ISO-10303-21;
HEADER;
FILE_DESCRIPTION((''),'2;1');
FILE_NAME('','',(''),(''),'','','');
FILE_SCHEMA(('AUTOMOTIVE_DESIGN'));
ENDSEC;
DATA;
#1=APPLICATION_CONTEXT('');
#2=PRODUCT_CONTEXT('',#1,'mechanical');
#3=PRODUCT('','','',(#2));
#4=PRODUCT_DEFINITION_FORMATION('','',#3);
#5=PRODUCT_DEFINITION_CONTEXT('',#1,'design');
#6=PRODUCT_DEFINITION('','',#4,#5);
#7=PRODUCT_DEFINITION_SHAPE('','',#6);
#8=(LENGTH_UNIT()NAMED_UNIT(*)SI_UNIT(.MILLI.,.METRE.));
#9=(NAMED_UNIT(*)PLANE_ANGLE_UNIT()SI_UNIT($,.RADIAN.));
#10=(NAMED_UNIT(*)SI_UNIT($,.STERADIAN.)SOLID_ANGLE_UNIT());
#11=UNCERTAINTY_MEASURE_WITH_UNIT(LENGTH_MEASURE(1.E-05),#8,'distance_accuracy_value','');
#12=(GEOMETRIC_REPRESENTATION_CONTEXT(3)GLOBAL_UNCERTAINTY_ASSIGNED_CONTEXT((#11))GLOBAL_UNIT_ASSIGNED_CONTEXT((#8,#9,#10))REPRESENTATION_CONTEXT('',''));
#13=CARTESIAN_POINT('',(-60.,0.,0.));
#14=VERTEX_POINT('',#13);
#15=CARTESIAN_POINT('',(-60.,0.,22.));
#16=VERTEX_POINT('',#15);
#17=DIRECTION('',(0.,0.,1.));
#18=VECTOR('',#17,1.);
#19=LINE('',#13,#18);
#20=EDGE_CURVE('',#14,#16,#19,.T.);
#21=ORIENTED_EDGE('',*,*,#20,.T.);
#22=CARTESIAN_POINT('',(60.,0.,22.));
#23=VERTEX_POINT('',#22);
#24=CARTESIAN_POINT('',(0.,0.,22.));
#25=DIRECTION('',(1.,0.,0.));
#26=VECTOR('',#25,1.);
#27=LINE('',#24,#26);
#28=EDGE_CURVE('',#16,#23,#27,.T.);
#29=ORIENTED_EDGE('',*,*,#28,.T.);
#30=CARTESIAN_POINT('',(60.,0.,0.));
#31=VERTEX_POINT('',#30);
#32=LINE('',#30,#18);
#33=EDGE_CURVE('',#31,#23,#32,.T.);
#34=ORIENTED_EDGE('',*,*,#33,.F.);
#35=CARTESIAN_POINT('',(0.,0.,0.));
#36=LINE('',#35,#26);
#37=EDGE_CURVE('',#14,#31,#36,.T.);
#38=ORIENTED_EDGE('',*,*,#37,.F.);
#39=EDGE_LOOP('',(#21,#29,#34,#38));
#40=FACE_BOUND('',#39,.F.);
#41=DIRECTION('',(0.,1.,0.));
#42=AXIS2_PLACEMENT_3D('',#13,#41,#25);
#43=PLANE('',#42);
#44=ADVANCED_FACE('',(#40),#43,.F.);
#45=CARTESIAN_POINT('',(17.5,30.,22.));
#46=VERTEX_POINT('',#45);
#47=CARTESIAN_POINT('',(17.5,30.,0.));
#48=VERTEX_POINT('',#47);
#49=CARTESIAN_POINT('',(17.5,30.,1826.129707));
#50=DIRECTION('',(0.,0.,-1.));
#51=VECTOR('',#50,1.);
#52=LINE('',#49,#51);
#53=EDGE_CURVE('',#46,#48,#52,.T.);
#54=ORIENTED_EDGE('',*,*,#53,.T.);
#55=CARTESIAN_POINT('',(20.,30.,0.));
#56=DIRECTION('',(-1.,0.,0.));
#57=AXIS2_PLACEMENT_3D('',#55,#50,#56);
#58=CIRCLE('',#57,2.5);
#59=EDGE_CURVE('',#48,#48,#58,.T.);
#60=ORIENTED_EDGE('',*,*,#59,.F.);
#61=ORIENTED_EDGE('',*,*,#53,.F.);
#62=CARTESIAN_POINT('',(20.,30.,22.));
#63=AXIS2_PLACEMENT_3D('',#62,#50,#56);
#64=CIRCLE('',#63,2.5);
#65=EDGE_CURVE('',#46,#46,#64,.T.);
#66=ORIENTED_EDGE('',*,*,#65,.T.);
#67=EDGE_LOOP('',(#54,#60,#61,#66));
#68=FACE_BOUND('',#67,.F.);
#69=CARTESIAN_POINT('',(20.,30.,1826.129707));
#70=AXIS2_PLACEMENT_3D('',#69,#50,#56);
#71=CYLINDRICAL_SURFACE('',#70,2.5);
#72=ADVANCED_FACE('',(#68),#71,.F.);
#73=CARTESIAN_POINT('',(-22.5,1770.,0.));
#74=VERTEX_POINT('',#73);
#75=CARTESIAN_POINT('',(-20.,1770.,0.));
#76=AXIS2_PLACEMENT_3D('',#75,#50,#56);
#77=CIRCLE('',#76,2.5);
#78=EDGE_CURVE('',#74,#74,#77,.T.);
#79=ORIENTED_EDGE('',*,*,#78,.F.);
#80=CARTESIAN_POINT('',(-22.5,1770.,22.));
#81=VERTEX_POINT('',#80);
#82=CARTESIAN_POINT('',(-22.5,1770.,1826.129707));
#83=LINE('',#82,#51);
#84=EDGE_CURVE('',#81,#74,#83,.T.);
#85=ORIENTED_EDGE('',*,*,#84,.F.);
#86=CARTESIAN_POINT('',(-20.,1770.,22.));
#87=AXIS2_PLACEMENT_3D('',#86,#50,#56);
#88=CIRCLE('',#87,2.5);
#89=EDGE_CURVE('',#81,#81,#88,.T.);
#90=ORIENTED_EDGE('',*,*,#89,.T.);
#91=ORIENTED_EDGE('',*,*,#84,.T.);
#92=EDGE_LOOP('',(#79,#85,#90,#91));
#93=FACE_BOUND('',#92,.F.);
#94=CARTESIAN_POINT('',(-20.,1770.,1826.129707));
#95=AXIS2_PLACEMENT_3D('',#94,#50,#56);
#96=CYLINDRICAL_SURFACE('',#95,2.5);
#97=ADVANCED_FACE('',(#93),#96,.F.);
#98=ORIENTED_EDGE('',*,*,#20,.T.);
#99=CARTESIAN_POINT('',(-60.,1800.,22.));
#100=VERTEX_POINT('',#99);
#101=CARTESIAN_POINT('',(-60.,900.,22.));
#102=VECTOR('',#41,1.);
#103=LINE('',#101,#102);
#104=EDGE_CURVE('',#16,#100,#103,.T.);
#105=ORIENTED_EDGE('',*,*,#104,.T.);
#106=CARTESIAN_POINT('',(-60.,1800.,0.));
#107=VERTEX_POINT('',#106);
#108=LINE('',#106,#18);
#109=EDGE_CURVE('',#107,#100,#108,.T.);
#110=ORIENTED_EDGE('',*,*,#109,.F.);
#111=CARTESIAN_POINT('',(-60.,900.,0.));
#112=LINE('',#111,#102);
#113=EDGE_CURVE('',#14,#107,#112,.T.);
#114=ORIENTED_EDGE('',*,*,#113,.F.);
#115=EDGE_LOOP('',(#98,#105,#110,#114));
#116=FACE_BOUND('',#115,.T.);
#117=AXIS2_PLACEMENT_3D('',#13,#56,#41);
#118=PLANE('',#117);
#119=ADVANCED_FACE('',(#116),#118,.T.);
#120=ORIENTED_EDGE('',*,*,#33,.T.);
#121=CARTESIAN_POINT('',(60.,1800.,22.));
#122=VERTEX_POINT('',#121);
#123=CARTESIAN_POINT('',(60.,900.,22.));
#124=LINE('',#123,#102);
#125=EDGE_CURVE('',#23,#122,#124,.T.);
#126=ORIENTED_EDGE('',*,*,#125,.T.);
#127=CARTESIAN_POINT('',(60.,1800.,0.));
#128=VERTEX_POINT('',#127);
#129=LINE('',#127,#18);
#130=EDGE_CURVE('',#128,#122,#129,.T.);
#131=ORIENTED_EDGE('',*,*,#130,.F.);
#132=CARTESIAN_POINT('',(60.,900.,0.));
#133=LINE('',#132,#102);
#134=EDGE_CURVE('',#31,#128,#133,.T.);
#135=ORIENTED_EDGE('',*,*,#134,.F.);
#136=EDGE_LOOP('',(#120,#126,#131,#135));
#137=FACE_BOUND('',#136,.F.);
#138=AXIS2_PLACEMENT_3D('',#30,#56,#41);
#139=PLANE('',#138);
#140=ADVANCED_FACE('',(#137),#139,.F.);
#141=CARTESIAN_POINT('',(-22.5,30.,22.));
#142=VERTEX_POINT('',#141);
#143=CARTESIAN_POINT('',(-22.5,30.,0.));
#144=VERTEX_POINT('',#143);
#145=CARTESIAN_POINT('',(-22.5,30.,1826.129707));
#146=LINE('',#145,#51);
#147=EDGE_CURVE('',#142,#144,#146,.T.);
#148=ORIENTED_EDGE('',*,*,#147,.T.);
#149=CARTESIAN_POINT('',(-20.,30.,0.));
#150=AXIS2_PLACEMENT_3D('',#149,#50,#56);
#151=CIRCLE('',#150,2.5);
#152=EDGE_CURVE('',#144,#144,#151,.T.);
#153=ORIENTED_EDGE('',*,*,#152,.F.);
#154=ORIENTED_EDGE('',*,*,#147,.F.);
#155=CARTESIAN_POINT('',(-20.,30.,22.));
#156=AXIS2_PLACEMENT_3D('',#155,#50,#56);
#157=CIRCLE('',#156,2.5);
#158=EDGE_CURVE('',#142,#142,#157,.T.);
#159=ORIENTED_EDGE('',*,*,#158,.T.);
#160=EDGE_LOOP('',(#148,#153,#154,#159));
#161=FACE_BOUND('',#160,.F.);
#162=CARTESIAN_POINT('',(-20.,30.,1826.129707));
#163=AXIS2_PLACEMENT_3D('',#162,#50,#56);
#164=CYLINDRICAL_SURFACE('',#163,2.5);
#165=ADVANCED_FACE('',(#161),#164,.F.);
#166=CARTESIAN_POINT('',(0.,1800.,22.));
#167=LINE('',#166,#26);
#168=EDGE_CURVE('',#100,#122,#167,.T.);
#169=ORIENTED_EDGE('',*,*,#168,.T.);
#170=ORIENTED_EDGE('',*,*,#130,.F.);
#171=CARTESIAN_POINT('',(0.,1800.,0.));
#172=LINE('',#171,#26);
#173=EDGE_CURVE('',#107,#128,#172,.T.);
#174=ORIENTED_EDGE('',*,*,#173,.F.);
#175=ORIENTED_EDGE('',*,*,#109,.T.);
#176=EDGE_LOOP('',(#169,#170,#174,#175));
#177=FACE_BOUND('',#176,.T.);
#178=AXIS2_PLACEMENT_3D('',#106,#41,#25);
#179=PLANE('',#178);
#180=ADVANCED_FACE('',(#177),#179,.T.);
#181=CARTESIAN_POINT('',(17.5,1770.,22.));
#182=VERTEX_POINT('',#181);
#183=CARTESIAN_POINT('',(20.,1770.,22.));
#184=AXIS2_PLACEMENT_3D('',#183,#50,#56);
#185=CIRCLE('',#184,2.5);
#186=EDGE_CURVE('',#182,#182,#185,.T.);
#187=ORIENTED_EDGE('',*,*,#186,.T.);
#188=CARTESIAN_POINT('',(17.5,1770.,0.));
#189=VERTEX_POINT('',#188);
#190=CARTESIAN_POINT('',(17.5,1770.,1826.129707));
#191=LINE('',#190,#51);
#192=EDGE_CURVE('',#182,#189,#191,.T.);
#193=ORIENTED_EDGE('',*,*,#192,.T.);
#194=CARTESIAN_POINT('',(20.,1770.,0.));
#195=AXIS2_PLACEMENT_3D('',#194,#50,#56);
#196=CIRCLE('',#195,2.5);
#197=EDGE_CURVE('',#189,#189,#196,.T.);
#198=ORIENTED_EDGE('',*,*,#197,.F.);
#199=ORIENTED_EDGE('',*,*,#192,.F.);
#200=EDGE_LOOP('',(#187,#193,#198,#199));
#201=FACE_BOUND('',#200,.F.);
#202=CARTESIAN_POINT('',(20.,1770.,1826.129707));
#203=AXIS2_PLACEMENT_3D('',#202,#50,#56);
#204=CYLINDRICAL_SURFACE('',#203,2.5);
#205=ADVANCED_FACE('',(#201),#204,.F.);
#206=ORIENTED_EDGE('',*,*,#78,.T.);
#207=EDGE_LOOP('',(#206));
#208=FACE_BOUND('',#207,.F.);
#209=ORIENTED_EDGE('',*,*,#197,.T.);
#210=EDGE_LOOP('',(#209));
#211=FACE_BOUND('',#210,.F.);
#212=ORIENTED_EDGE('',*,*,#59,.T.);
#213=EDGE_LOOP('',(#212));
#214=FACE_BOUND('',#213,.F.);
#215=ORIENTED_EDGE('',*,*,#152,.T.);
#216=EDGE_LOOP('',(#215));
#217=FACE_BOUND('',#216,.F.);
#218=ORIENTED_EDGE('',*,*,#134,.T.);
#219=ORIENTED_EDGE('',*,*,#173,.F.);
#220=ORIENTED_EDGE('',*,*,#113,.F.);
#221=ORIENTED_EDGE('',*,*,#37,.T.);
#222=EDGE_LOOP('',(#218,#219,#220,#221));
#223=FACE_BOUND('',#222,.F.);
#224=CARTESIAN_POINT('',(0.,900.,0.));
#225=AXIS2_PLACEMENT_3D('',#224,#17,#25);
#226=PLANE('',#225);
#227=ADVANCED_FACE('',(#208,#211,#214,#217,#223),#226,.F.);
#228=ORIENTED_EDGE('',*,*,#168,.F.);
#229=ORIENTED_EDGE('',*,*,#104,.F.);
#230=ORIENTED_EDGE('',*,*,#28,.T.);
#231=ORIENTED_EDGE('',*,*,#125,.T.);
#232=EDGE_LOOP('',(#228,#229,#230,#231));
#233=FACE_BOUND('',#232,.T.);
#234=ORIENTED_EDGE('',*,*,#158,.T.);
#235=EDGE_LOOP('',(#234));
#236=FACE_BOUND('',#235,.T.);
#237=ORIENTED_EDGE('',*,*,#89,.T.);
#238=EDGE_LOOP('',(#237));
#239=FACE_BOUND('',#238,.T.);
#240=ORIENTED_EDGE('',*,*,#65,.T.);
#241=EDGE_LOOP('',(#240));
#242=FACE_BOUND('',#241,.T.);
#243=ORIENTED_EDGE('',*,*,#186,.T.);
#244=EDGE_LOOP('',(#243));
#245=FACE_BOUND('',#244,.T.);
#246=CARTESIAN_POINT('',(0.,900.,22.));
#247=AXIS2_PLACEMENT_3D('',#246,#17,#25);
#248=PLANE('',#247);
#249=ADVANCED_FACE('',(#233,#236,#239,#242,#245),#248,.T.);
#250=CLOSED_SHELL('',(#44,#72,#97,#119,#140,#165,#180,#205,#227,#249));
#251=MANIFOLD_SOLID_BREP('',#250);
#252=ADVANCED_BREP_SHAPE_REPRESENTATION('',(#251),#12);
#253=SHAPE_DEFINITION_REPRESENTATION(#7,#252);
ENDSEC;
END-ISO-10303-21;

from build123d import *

# Parameters (mm, degrees)
F1_W     = 120
F1_H     = 1800
F2_DEPTH = 22
F4_D     = 5


with BuildPart() as f2:
    # F1 (on Top) → F2 (new body)
    with BuildSketch(Plane.XY):
        with Locations((0, 900)):
            Rectangle(F1_W, F1_H)
    extrude(amount=F2_DEPTH)

    # F4 (through all)
    with Locations(Plane.XY.offset(22)):
        with Locations((-20, 1770), (20, 1770), (-20, 30), (20, 30)):
            Hole(F4_D / 2)


solid = f2.part
